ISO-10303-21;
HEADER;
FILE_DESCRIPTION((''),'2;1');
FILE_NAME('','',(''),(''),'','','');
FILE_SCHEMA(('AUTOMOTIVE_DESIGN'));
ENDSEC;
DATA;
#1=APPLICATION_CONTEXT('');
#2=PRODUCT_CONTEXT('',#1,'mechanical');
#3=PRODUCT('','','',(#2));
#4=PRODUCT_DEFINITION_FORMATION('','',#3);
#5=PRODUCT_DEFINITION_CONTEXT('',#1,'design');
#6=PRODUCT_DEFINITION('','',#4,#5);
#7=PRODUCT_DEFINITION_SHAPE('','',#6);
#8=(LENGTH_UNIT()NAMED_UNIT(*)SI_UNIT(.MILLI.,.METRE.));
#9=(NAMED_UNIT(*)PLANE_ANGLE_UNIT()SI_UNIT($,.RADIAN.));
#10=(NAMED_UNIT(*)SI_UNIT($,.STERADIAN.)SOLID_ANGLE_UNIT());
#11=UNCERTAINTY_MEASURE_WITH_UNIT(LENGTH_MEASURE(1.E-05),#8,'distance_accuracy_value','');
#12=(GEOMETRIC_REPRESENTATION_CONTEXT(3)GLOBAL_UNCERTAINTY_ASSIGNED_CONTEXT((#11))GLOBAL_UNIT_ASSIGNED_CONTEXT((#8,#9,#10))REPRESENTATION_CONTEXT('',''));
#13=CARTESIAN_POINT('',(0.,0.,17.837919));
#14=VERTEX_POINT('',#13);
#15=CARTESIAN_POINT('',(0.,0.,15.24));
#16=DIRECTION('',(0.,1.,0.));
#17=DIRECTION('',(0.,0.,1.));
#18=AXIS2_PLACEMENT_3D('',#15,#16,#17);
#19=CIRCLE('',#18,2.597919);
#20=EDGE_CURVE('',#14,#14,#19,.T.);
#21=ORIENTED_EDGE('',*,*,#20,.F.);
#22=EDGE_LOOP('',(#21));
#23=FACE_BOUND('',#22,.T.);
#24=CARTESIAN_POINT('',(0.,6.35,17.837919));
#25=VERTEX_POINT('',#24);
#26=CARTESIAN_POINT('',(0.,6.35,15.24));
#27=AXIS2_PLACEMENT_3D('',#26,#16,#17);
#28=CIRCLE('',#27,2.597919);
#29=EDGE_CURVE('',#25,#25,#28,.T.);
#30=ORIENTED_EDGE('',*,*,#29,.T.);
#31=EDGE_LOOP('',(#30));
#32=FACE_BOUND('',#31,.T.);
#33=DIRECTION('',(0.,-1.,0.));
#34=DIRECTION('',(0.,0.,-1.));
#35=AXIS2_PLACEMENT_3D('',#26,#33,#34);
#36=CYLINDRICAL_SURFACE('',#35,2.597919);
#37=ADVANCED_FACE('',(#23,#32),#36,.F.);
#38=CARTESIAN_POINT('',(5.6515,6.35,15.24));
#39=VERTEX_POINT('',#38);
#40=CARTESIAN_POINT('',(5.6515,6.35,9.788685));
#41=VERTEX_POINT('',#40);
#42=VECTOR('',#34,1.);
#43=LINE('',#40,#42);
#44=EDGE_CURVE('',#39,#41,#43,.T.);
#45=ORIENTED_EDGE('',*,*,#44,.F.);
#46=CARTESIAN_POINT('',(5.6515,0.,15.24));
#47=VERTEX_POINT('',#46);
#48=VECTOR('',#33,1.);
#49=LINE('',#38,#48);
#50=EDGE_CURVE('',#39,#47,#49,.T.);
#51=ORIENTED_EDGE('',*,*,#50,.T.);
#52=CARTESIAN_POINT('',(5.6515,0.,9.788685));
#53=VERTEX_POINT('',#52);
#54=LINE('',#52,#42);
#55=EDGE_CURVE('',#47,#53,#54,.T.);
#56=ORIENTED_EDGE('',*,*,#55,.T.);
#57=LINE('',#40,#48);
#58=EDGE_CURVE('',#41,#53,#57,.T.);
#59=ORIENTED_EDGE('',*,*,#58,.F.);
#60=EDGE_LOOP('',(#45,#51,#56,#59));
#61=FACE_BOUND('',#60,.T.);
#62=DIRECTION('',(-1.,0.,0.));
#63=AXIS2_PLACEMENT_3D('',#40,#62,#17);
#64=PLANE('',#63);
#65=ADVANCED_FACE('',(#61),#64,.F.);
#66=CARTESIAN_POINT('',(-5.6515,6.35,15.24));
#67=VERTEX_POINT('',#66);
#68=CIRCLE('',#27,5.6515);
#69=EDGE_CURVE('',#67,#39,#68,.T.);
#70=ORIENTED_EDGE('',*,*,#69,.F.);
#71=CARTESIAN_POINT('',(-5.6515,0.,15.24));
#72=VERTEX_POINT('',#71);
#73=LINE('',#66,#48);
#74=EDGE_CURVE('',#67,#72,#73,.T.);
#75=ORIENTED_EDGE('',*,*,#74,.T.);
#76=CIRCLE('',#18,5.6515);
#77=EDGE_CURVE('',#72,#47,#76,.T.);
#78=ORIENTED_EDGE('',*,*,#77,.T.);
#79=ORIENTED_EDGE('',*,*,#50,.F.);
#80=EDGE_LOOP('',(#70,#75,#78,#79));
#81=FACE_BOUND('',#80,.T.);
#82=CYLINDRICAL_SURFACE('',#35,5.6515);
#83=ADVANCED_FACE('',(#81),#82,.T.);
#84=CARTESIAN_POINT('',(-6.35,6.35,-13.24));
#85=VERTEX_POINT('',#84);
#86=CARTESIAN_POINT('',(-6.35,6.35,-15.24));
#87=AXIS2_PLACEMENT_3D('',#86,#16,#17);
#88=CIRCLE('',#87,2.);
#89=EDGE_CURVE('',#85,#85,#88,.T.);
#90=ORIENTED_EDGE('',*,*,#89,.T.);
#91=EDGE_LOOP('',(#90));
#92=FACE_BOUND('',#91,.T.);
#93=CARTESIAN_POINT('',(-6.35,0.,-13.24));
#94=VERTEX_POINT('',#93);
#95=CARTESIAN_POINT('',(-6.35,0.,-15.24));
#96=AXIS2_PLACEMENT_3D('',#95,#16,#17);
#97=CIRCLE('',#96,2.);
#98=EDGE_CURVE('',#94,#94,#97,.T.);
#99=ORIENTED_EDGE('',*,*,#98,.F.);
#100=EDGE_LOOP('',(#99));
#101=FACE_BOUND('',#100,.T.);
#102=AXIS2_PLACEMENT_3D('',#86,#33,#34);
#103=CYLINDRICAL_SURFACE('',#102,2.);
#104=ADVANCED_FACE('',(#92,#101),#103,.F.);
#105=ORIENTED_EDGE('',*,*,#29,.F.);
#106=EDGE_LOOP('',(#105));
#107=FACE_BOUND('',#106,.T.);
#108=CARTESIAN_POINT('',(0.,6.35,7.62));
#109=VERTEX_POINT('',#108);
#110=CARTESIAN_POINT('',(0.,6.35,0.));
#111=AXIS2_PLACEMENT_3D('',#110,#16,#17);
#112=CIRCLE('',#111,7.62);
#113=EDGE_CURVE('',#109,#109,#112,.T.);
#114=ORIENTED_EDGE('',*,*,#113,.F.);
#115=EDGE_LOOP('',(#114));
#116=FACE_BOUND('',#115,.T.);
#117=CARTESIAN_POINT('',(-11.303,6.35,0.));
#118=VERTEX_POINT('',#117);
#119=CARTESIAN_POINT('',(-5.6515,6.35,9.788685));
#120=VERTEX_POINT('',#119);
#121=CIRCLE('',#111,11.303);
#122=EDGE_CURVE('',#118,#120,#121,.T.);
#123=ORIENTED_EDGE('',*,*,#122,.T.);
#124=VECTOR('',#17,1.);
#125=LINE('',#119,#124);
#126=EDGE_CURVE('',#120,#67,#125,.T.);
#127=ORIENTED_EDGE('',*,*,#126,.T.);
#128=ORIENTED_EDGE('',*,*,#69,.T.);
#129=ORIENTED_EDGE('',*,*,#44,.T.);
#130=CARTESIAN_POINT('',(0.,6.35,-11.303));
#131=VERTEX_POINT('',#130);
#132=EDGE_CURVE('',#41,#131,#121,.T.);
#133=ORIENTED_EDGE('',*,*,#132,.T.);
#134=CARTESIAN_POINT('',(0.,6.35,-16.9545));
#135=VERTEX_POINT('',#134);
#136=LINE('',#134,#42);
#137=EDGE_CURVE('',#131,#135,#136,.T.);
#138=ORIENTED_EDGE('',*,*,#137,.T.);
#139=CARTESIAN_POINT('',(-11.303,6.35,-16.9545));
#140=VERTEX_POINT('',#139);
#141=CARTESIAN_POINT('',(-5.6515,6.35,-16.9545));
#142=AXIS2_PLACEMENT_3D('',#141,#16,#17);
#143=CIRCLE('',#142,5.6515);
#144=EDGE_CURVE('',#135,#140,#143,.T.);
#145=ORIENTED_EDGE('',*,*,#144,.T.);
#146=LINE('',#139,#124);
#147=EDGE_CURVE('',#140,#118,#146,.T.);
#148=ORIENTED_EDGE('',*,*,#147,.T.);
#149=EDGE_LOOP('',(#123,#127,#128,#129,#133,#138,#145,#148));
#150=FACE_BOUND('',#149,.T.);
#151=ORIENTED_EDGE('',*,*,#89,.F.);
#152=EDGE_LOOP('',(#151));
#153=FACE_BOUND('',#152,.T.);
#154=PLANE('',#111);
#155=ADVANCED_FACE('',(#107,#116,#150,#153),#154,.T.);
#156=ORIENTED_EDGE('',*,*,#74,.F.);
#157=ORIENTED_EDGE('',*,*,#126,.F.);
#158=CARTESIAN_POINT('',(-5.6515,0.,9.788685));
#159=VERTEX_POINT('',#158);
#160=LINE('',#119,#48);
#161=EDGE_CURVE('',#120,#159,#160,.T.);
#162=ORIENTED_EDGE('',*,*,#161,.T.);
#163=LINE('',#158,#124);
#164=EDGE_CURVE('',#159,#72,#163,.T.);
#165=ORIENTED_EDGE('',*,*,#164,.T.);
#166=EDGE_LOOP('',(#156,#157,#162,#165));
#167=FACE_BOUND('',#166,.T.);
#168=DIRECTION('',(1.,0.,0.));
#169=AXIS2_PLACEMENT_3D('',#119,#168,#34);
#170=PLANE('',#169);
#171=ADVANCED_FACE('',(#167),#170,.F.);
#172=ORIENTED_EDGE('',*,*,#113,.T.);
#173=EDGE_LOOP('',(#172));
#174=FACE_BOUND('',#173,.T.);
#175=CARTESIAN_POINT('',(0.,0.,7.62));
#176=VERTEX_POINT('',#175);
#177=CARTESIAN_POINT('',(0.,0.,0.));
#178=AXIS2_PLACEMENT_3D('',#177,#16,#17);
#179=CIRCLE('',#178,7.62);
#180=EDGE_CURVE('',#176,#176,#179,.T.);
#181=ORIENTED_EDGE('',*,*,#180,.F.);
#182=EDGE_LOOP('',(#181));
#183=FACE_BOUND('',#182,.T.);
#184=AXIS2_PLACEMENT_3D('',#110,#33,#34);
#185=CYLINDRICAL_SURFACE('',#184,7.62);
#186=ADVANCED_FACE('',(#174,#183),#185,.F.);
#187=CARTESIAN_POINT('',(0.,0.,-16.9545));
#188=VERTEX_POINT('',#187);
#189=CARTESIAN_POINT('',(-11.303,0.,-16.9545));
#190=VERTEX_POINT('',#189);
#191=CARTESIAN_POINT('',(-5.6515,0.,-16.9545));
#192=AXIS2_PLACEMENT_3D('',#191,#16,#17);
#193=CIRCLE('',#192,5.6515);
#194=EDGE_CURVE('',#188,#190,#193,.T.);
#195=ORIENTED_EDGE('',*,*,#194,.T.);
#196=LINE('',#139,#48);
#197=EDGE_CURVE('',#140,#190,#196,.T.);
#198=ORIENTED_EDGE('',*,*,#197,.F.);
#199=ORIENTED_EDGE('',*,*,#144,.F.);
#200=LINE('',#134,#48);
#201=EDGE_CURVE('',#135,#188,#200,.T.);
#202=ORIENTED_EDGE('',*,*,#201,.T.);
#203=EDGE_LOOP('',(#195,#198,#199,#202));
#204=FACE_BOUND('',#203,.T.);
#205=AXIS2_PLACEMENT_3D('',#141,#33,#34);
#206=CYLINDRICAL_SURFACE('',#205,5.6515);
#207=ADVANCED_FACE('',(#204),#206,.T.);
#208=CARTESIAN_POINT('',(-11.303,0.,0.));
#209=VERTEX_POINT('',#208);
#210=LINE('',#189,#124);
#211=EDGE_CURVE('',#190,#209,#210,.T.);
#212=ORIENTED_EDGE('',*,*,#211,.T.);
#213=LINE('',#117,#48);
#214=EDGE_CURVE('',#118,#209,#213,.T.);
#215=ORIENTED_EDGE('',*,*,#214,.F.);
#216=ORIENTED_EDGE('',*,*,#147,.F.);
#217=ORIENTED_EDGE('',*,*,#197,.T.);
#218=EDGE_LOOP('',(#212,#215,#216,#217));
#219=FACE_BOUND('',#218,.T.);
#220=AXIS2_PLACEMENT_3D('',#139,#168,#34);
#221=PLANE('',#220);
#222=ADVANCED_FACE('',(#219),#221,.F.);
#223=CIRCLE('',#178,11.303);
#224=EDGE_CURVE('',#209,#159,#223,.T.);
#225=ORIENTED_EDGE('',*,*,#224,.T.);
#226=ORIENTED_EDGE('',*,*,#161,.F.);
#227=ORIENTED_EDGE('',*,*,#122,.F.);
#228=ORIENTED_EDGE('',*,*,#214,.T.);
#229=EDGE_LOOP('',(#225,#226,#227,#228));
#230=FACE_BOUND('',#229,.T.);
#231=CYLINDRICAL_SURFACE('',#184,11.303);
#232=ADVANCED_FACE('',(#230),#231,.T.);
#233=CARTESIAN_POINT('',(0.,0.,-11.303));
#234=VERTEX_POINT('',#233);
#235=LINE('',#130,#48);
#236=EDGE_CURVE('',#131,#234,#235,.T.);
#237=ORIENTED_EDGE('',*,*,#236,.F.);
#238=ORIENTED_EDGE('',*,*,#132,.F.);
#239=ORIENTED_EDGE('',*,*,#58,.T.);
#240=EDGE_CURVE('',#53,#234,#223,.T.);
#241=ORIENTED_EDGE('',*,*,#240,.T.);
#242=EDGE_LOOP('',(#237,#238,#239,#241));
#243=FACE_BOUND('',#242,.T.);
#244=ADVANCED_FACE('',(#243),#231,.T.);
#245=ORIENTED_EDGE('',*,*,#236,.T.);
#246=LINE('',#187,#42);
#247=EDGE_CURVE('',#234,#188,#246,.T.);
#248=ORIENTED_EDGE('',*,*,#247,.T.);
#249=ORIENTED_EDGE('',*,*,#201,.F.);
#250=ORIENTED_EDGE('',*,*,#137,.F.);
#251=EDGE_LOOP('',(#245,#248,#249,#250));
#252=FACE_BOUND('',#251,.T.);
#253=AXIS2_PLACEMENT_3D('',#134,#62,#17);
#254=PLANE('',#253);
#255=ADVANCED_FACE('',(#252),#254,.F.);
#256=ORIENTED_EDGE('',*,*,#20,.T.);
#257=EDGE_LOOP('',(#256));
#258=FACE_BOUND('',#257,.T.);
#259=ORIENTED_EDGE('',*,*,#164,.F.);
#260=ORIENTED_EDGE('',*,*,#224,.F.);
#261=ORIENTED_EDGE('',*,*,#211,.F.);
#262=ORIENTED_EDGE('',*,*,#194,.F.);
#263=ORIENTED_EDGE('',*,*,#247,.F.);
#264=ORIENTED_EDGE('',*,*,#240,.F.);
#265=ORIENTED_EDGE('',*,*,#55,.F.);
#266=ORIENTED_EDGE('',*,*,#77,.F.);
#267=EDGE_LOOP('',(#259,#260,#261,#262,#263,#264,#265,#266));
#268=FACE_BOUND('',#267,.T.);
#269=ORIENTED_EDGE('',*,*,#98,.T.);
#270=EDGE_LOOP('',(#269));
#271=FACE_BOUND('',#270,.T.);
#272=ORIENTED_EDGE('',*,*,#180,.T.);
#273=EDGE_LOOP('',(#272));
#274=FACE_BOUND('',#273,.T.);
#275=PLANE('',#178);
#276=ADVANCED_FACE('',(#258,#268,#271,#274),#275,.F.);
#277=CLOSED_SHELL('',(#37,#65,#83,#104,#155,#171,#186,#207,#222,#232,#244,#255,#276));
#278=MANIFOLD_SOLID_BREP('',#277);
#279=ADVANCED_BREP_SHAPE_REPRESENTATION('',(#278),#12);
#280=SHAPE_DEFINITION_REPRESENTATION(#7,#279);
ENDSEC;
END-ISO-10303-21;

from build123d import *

# Parameters (mm, degrees)
SKETCH1_R           = 7.62
SKETCH1_R_2         = 2
SKETCH1_R_3         = 2.597919061
BOSS_EXTRUDE1_DEPTH = 6.35


with BuildPart() as part:
    # Sketch1 → Boss-Extrude1 (new body)
    with BuildSketch(Plane(origin=(0, 0, 0), x_dir=(1, 0, 0), z_dir=(0, 1, 0))):
        with BuildLine():
            Line((-11.303, 16.9545), (-11.303, 0))
            ThreePointArc((-11.303, 0), (-9.788685139, -5.6515), (-5.6515, -9.788685139))
            Line((-5.6515, -9.788685139), (-5.6515, -15.24))
            ThreePointArc((-5.6515, -15.24), (0, -20.8915), (5.6515, -15.24))
            Line((5.6515, -15.24), (5.6515, -9.788685139))
            ThreePointArc((5.6515, -9.788685139), (10.917859615, 2.925431667), (0, 11.303))
            Line((0, 11.303), (0, 16.9545))
            ThreePointArc((0, 16.9545), (-5.6515, 22.606), (-11.303, 16.9545))
        make_face()
        Circle(SKETCH1_R, mode=Mode.SUBTRACT)
        with Locations((-6.35, 15.24)):
            Circle(SKETCH1_R_2, mode=Mode.SUBTRACT)
        with Locations((0, -15.24)):
            Circle(SKETCH1_R_3, mode=Mode.SUBTRACT)
    extrude(amount=BOSS_EXTRUDE1_DEPTH)


solid = part.part
